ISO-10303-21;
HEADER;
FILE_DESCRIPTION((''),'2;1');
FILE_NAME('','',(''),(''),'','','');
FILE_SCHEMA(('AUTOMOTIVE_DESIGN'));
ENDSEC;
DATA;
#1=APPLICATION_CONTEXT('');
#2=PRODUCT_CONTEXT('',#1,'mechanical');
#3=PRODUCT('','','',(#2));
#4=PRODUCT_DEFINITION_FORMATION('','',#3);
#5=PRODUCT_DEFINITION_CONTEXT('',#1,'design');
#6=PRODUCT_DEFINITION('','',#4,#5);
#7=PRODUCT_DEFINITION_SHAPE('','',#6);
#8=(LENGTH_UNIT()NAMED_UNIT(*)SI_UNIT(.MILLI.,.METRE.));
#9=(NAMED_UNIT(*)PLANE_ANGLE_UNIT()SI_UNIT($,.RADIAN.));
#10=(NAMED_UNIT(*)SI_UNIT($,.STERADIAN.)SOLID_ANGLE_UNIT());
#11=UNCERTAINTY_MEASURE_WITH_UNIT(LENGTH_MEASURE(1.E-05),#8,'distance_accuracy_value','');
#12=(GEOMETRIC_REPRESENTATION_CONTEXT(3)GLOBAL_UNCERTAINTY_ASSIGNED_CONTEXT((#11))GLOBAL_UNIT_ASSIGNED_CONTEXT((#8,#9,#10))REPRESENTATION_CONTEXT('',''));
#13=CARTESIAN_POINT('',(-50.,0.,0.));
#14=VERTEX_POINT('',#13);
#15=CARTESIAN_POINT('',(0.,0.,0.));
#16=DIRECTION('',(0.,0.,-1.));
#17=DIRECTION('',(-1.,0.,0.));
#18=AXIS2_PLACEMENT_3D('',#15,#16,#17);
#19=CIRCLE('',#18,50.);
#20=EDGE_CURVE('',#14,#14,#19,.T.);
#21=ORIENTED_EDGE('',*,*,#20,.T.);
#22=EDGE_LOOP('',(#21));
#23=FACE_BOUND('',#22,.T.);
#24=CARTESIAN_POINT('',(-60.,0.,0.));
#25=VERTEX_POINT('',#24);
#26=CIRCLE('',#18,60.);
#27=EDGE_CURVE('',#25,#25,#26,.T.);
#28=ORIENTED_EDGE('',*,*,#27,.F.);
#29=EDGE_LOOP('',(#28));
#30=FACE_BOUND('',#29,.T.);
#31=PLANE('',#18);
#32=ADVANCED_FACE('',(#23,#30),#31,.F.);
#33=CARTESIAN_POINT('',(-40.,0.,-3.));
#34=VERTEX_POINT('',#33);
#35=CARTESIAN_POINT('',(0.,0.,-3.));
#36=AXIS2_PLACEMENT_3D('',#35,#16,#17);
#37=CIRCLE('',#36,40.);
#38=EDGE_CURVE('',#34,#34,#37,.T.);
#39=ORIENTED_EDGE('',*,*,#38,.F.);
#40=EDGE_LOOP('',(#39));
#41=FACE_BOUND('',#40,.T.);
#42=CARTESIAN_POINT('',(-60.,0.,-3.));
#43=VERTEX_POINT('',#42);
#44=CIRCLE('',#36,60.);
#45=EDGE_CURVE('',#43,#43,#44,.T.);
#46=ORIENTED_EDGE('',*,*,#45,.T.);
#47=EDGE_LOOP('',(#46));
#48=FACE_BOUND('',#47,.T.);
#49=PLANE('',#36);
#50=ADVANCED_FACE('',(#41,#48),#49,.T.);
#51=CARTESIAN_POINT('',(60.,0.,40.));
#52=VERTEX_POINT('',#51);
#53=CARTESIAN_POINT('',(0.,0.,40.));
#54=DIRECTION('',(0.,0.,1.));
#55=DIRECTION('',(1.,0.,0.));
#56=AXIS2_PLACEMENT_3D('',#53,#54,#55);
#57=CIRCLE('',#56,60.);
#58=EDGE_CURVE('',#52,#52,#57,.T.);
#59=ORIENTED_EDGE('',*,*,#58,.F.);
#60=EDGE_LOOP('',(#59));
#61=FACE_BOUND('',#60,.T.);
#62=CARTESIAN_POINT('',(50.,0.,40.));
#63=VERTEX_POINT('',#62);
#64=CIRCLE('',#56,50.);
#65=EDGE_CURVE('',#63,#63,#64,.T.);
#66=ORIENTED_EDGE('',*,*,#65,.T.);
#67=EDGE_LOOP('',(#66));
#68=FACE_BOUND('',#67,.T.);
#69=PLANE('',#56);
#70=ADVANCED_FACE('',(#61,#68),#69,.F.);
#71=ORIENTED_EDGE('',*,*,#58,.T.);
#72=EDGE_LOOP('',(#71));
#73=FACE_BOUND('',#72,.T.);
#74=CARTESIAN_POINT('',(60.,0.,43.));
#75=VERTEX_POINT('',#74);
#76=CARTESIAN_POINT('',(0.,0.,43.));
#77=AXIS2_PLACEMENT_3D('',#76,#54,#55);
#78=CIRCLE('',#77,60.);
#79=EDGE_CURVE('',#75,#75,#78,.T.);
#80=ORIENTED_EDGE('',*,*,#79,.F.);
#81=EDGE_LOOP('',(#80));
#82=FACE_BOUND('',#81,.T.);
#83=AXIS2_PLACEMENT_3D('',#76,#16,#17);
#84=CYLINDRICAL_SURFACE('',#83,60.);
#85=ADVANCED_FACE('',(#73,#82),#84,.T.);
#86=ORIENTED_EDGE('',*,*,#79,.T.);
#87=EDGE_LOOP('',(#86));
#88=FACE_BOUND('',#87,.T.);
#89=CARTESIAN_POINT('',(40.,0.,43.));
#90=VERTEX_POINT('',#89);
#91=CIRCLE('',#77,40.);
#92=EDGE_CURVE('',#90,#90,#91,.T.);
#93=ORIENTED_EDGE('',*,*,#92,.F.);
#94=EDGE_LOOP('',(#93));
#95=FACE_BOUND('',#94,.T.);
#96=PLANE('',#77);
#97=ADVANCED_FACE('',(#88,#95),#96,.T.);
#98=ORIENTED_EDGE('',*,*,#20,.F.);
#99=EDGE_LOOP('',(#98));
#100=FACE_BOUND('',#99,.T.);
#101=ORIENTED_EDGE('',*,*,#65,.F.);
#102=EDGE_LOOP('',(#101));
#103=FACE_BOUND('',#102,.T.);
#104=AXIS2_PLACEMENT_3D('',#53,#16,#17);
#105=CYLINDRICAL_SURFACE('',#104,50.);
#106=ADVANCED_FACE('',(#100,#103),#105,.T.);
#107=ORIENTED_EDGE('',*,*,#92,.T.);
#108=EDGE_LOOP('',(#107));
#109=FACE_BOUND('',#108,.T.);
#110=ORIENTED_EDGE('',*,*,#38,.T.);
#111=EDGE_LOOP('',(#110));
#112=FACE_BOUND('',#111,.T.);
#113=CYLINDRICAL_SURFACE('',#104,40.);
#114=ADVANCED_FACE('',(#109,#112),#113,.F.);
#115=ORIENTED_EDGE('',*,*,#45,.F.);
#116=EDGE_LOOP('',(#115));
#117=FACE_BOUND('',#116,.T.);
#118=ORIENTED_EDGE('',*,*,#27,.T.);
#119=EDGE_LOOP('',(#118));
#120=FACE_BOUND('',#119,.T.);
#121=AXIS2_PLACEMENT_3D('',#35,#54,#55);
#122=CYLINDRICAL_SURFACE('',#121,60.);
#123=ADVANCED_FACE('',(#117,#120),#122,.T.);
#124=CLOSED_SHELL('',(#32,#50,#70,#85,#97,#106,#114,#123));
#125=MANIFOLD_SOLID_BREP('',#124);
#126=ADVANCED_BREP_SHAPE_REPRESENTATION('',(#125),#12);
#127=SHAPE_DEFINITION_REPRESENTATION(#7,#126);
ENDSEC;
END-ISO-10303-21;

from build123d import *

# Parameters (mm, degrees)
CROQUIS1_R              = 50
CROQUIS1_R_2            = 40
SALIENTE_EXTRUIR2_DEPTH = 40
CROQUIS2_R              = 60
CROQUIS2_R_2            = 40
SALIENTE_EXTRUIR3_DEPTH = 3
SALIENTE_EXTRUIR4_START = 3
CROQUIS3_R              = 60
CROQUIS3_R_2            = 40
SALIENTE_EXTRUIR4_DEPTH = 3


with BuildPart() as part:
    # Croquis1 → Saliente-Extruir2 (new body)
    with BuildSketch(Plane.XY):
        Circle(CROQUIS1_R)
        Circle(CROQUIS1_R_2, mode=Mode.SUBTRACT)
    extrude(amount=SALIENTE_EXTRUIR2_DEPTH)

    # Croquis2 → Saliente-Extruir3 (add)
    with BuildSketch(Plane.XY.offset(40)):
        Circle(CROQUIS2_R)
        Circle(CROQUIS2_R_2, mode=Mode.SUBTRACT)
    extrude(amount=SALIENTE_EXTRUIR3_DEPTH)

    # Croquis3 → Saliente-Extruir4 (add)
    with BuildSketch(Plane(origin=(0, 0, 0), x_dir=(-1, 0, 0), z_dir=(0, 0, -1)).offset(SALIENTE_EXTRUIR4_START)):
        with Locations(Location((0, 0, 0), (0, 0, 180))):
            Circle(CROQUIS3_R)
        Circle(CROQUIS3_R_2, mode=Mode.SUBTRACT)
    extrude(amount=-SALIENTE_EXTRUIR4_DEPTH)


solid = part.part
